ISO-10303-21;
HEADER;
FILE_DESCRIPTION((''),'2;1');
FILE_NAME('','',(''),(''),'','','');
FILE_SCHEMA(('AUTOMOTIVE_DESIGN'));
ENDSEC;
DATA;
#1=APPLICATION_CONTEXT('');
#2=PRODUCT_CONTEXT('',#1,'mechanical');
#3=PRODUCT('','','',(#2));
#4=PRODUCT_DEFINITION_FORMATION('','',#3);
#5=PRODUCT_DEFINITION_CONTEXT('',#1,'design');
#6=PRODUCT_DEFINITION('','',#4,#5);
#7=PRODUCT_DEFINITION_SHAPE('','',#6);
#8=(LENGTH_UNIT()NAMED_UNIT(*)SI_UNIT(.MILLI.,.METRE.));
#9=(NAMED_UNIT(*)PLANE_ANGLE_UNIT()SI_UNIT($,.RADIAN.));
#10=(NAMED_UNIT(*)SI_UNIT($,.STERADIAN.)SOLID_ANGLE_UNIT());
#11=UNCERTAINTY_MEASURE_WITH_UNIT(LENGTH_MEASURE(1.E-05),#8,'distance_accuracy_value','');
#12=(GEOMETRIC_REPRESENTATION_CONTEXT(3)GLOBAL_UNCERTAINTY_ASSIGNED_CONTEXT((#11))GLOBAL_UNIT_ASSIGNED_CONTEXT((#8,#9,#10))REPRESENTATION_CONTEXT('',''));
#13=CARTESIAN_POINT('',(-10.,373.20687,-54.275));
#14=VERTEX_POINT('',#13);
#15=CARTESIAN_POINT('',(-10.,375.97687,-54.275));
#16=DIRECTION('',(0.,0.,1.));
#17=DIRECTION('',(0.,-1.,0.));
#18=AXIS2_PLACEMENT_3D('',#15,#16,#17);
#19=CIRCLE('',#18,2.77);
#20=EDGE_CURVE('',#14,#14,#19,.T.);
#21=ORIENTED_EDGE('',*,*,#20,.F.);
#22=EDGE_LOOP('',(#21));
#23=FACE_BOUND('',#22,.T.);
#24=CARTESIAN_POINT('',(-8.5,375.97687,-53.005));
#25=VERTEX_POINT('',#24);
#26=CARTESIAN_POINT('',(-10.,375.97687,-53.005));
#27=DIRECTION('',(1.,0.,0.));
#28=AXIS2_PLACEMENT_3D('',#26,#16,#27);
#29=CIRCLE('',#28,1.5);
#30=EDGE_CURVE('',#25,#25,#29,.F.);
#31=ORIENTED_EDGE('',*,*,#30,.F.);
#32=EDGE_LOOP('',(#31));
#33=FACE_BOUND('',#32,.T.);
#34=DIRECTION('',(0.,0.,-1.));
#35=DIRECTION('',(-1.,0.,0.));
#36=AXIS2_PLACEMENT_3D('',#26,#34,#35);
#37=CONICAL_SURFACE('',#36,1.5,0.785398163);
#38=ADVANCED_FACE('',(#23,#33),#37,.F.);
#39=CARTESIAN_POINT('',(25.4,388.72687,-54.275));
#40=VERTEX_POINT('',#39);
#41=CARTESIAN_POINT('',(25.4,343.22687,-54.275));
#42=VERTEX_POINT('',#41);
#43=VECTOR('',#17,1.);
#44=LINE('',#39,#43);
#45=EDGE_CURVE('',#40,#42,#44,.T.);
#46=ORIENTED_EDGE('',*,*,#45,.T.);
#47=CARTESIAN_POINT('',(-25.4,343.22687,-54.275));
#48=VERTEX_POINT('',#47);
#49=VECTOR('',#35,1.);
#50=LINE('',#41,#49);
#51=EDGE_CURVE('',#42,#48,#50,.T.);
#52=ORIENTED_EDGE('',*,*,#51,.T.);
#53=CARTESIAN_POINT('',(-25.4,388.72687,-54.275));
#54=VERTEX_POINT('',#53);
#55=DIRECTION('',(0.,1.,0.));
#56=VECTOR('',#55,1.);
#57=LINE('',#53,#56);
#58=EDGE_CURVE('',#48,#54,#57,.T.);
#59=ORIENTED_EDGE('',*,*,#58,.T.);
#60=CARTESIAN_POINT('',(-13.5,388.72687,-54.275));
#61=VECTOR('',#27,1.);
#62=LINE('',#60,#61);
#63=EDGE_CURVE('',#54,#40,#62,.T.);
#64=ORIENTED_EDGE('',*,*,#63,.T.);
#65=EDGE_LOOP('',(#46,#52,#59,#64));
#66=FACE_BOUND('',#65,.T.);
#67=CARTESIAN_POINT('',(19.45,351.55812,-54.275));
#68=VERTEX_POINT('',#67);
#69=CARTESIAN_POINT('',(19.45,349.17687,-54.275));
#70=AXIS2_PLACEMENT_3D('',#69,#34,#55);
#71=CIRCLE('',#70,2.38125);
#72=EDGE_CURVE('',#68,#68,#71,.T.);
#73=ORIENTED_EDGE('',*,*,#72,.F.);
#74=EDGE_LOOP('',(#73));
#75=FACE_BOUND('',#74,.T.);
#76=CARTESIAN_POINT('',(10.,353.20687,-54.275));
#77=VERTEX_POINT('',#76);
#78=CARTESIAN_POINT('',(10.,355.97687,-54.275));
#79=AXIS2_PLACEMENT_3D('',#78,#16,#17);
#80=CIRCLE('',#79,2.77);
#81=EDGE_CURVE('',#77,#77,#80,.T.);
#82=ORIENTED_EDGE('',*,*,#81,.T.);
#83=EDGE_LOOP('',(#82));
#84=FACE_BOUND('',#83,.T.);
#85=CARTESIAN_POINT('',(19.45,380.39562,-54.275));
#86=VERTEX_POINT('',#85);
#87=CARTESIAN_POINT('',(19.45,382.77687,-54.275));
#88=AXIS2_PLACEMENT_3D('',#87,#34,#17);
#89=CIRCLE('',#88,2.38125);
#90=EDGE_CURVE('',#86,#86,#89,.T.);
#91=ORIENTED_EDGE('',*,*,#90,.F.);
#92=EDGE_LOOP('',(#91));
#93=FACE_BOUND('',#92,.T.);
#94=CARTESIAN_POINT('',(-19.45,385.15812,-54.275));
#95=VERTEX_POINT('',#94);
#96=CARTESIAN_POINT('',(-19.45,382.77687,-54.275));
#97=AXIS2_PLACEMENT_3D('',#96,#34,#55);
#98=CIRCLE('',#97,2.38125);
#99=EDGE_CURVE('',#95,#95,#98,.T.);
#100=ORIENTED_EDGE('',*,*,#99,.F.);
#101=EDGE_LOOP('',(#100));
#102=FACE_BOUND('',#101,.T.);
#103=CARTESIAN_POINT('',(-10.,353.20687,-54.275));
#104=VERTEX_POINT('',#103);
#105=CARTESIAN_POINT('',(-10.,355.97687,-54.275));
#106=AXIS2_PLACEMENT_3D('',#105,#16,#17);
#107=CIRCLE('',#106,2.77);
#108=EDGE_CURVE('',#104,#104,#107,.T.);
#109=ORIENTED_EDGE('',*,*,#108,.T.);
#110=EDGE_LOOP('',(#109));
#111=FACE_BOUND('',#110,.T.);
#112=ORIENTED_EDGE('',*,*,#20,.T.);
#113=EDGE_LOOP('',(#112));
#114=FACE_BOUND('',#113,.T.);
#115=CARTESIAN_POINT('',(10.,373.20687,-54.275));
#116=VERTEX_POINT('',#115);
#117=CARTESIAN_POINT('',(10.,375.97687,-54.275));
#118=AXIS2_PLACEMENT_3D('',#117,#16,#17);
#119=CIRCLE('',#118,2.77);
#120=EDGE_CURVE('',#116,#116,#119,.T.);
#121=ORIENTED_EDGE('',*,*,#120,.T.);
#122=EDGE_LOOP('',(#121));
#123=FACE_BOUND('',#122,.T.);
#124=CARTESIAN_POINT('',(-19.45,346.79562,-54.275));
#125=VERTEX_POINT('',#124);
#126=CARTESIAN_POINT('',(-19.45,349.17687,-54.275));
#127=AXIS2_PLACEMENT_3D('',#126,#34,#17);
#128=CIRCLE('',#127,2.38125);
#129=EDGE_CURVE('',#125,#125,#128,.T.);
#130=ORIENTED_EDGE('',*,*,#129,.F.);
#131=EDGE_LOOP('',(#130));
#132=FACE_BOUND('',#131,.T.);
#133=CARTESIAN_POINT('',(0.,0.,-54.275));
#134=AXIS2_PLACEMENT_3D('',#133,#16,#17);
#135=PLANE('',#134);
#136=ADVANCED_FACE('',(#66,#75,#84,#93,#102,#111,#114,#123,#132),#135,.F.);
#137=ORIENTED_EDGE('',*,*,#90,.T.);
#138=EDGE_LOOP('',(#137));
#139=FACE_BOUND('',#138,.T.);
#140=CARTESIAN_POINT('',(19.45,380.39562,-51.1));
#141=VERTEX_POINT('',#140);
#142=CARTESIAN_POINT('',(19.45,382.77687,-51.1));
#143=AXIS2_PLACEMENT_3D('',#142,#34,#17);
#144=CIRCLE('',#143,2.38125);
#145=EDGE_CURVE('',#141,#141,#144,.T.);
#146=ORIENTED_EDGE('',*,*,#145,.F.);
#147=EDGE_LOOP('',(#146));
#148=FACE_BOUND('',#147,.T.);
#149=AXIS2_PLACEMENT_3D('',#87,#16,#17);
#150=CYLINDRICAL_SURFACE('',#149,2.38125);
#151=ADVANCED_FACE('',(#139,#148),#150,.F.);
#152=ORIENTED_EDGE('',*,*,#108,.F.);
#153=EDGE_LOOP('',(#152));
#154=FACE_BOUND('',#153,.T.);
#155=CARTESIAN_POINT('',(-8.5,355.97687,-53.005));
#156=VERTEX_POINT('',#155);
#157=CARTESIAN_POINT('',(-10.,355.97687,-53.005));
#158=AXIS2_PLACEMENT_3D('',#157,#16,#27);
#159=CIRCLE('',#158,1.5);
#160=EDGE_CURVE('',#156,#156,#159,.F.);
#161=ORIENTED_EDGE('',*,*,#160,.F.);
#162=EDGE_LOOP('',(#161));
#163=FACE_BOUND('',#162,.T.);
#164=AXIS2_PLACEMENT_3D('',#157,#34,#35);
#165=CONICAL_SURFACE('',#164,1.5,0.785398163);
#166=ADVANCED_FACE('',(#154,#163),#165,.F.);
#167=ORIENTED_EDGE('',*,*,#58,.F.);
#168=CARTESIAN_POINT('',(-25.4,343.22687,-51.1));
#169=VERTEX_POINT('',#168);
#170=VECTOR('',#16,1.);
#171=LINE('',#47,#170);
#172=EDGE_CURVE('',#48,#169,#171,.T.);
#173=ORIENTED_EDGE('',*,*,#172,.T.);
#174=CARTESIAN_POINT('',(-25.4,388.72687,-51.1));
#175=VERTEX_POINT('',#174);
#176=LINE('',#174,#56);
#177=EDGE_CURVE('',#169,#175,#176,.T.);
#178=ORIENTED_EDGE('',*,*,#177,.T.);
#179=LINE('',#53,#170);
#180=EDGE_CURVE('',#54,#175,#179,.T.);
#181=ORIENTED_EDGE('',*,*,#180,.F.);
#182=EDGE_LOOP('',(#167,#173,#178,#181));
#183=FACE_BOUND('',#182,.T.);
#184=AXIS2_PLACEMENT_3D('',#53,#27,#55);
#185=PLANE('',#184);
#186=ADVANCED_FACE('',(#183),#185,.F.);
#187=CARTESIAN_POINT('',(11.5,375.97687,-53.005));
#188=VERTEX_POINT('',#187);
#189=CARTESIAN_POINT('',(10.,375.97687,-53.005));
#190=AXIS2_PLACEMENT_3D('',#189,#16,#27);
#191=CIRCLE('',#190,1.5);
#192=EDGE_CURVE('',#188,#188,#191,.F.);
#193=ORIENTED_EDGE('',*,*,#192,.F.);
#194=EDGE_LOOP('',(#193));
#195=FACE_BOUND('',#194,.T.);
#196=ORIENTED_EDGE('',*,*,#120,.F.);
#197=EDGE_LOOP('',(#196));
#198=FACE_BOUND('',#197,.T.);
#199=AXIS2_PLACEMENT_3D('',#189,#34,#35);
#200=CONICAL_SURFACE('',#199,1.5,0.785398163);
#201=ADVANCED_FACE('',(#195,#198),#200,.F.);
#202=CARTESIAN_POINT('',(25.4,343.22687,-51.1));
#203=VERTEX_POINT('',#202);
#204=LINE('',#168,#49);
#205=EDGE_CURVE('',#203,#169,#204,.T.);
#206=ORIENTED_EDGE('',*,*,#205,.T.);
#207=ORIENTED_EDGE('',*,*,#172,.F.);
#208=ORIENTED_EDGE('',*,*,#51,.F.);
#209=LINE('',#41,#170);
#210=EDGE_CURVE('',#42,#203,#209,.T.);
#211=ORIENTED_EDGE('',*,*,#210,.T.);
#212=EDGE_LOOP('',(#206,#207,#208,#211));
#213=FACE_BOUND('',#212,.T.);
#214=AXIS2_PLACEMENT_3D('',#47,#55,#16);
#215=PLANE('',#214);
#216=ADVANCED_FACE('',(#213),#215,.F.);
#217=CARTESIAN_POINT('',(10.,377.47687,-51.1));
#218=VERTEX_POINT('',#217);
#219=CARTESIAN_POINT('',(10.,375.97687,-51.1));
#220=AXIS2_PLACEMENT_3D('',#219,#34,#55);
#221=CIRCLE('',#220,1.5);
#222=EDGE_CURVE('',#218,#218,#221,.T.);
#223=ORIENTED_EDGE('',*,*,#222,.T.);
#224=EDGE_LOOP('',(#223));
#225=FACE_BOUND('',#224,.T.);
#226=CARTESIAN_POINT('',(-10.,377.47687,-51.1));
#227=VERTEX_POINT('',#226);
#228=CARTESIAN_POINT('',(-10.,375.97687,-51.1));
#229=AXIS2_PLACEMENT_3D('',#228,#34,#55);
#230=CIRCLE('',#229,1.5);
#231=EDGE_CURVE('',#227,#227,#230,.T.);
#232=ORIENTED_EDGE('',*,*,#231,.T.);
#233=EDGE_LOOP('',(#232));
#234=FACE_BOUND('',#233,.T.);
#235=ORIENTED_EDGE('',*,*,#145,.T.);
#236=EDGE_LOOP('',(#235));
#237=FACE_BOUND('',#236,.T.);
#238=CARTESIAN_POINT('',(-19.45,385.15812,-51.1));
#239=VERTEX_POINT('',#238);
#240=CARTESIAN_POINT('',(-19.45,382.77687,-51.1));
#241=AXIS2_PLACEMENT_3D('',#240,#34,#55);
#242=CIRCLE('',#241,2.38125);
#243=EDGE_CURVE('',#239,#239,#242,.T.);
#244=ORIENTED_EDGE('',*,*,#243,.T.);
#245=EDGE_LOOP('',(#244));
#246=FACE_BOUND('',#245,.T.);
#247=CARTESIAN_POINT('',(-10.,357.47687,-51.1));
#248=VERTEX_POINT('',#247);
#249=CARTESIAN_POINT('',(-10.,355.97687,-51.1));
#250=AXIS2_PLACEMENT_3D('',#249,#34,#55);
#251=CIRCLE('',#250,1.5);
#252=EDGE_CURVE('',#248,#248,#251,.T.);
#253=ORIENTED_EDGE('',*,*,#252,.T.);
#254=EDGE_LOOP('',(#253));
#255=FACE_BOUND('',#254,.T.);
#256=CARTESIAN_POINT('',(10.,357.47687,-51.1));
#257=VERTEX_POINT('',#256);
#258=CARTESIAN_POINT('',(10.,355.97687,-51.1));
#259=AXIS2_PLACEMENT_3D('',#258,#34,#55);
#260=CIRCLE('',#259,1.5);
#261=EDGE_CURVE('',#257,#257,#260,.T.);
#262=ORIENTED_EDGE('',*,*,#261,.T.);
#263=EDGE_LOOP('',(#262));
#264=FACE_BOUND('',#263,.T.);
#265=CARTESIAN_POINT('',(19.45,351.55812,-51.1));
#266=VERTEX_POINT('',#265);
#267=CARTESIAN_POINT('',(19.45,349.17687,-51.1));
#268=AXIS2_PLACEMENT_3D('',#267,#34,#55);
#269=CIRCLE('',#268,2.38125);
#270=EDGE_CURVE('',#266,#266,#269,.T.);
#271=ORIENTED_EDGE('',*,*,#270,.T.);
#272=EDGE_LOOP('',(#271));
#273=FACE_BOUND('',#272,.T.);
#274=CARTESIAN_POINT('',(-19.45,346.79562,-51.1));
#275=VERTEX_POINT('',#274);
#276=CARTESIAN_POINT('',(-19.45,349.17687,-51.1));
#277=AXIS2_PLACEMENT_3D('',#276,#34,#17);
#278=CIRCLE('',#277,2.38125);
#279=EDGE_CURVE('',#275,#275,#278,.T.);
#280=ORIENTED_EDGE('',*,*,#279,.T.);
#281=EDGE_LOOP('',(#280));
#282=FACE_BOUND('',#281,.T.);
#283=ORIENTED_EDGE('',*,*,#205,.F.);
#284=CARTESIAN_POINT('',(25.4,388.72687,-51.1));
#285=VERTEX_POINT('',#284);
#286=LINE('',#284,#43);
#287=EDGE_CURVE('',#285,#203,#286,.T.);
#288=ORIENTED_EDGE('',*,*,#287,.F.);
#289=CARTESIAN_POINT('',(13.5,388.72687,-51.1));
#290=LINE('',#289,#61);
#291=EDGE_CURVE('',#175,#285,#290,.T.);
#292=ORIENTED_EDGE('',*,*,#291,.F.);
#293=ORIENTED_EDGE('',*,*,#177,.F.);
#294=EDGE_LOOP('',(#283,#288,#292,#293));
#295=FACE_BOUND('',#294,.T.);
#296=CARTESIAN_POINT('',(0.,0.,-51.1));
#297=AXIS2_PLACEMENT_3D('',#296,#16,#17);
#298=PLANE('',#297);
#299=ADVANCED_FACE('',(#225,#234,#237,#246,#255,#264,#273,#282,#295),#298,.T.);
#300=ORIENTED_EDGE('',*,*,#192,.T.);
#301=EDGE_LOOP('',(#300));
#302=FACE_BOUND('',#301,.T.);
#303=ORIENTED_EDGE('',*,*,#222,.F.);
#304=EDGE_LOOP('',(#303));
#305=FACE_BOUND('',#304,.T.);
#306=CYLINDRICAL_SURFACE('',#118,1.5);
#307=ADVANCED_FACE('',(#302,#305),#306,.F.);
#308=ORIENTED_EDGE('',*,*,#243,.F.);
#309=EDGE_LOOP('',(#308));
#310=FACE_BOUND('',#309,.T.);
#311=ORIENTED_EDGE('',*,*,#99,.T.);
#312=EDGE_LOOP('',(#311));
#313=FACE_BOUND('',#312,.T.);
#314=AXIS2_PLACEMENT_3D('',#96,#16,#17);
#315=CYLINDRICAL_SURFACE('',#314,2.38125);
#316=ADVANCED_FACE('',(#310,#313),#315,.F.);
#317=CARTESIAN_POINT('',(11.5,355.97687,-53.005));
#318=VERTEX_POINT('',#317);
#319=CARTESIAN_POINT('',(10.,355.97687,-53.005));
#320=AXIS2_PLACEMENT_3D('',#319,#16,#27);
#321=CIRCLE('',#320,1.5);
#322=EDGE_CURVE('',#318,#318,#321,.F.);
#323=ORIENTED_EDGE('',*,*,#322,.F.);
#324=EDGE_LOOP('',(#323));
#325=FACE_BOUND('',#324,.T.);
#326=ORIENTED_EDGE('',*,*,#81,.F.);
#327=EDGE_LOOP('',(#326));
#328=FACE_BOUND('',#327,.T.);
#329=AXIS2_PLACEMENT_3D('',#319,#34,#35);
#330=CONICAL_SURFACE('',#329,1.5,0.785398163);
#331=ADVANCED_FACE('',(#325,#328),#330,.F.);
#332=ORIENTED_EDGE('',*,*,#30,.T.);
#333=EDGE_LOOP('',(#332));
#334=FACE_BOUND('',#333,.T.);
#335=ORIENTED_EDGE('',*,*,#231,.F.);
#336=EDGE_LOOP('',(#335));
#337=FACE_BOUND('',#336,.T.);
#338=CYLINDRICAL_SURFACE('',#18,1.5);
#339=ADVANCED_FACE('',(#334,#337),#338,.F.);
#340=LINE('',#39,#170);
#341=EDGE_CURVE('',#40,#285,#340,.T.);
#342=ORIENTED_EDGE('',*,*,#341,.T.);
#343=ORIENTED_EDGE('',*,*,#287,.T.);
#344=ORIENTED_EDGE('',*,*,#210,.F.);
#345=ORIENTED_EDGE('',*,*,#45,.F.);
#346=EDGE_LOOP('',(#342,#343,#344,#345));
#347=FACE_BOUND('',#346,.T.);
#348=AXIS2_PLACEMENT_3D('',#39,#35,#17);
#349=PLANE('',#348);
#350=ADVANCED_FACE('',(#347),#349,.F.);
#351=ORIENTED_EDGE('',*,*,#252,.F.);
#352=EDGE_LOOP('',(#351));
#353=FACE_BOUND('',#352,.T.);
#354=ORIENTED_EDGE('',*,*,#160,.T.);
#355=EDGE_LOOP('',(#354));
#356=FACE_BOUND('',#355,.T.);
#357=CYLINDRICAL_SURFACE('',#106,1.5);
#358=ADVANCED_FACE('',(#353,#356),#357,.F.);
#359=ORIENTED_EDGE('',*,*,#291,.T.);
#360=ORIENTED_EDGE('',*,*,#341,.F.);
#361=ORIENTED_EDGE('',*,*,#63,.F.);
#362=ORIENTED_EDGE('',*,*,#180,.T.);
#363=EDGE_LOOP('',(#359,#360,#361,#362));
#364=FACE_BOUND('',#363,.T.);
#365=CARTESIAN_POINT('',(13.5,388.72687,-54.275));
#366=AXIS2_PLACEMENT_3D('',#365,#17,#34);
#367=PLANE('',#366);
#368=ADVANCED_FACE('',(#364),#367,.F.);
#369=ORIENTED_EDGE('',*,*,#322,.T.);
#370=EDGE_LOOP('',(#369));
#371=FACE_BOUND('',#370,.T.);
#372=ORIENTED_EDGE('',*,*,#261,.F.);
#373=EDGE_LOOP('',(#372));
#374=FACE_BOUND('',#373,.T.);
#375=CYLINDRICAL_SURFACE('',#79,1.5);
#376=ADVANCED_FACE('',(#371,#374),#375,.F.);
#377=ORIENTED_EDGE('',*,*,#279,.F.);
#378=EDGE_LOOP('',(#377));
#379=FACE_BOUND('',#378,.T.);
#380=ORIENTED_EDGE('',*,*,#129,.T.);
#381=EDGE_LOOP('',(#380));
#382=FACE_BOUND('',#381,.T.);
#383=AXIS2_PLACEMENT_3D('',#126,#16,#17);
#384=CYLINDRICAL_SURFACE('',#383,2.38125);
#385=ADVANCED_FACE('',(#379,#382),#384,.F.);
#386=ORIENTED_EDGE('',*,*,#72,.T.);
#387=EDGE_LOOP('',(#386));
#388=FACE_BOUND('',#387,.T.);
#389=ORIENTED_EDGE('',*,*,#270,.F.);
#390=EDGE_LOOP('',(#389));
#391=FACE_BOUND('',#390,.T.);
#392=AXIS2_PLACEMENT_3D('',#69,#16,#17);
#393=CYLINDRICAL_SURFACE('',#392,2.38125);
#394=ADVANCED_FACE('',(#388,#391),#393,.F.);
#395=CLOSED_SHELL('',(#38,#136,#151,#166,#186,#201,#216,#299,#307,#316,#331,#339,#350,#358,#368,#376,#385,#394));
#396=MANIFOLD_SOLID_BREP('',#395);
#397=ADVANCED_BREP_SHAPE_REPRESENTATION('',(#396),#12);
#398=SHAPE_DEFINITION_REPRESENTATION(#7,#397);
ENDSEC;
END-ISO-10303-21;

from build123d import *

# Parameters (mm, degrees)
SKETCH2_R           = 1.5
SKETCH2_R_2         = 2.38125
BOSS_EXTRUDE1_DEPTH = 3.175
CHAMFER1_SIZE       = 1.27


with BuildPart() as part:
    # Sketch2 → Boss-Extrude1 (new body)
    with BuildSketch(Plane(origin=(0, 0, -51.1), x_dir=(-1, 0, 0), z_dir=(0, 0, -1))):
        Polygon((13.5, 388.72686963), (25.4, 388.72686963), (25.4, 343.22686963), (13.5, 343.22686963), (-13.5, 343.22686963), (-25.4, 343.22686963), (-25.4, 388.72686963), (-13.5, 388.72686963), align=None)
        with Locations(Location((10, 355.97686963, 0), (0, 0, 90))):
            Circle(SKETCH2_R, mode=Mode.SUBTRACT)
        with Locations(Location((10, 375.97686963, 0), (0, 0, 90))):
            Circle(SKETCH2_R, mode=Mode.SUBTRACT)
        with Locations(Location((-10, 375.97686963, 0), (0, 0, 90))):
            Circle(SKETCH2_R, mode=Mode.SUBTRACT)
        with Locations(Location((-10, 355.97686963, 0), (0, 0, 90))):
            Circle(SKETCH2_R, mode=Mode.SUBTRACT)
        with Locations(Location((19.45, 382.77686963, 0), (0, 0, 90))):
            Circle(SKETCH2_R_2, mode=Mode.SUBTRACT)
        with Locations(Location((-19.45, 382.77686963, 0), (0, 0, 270))):
            Circle(SKETCH2_R_2, mode=Mode.SUBTRACT)
        with Locations(Location((19.45, 349.17686963, 0), (0, 0, 270))):
            Circle(SKETCH2_R_2, mode=Mode.SUBTRACT)
        with Locations(Location((-19.45, 349.17686963, 0), (0, 0, 90))):
            Circle(SKETCH2_R_2, mode=Mode.SUBTRACT)
    extrude(amount=BOSS_EXTRUDE1_DEPTH)

    # Chamfer1
    chamfer1_edges = [part.edges().sort_by_distance(p)[0] for p in [
        (-10, 354.47686963, -54.275),
        (-10, 374.47686963, -54.275),
        (10, 374.47686963, -54.275),
        (10, 354.47686963, -54.275),
    ]]
    chamfer(chamfer1_edges, length=CHAMFER1_SIZE)


solid = part.part
